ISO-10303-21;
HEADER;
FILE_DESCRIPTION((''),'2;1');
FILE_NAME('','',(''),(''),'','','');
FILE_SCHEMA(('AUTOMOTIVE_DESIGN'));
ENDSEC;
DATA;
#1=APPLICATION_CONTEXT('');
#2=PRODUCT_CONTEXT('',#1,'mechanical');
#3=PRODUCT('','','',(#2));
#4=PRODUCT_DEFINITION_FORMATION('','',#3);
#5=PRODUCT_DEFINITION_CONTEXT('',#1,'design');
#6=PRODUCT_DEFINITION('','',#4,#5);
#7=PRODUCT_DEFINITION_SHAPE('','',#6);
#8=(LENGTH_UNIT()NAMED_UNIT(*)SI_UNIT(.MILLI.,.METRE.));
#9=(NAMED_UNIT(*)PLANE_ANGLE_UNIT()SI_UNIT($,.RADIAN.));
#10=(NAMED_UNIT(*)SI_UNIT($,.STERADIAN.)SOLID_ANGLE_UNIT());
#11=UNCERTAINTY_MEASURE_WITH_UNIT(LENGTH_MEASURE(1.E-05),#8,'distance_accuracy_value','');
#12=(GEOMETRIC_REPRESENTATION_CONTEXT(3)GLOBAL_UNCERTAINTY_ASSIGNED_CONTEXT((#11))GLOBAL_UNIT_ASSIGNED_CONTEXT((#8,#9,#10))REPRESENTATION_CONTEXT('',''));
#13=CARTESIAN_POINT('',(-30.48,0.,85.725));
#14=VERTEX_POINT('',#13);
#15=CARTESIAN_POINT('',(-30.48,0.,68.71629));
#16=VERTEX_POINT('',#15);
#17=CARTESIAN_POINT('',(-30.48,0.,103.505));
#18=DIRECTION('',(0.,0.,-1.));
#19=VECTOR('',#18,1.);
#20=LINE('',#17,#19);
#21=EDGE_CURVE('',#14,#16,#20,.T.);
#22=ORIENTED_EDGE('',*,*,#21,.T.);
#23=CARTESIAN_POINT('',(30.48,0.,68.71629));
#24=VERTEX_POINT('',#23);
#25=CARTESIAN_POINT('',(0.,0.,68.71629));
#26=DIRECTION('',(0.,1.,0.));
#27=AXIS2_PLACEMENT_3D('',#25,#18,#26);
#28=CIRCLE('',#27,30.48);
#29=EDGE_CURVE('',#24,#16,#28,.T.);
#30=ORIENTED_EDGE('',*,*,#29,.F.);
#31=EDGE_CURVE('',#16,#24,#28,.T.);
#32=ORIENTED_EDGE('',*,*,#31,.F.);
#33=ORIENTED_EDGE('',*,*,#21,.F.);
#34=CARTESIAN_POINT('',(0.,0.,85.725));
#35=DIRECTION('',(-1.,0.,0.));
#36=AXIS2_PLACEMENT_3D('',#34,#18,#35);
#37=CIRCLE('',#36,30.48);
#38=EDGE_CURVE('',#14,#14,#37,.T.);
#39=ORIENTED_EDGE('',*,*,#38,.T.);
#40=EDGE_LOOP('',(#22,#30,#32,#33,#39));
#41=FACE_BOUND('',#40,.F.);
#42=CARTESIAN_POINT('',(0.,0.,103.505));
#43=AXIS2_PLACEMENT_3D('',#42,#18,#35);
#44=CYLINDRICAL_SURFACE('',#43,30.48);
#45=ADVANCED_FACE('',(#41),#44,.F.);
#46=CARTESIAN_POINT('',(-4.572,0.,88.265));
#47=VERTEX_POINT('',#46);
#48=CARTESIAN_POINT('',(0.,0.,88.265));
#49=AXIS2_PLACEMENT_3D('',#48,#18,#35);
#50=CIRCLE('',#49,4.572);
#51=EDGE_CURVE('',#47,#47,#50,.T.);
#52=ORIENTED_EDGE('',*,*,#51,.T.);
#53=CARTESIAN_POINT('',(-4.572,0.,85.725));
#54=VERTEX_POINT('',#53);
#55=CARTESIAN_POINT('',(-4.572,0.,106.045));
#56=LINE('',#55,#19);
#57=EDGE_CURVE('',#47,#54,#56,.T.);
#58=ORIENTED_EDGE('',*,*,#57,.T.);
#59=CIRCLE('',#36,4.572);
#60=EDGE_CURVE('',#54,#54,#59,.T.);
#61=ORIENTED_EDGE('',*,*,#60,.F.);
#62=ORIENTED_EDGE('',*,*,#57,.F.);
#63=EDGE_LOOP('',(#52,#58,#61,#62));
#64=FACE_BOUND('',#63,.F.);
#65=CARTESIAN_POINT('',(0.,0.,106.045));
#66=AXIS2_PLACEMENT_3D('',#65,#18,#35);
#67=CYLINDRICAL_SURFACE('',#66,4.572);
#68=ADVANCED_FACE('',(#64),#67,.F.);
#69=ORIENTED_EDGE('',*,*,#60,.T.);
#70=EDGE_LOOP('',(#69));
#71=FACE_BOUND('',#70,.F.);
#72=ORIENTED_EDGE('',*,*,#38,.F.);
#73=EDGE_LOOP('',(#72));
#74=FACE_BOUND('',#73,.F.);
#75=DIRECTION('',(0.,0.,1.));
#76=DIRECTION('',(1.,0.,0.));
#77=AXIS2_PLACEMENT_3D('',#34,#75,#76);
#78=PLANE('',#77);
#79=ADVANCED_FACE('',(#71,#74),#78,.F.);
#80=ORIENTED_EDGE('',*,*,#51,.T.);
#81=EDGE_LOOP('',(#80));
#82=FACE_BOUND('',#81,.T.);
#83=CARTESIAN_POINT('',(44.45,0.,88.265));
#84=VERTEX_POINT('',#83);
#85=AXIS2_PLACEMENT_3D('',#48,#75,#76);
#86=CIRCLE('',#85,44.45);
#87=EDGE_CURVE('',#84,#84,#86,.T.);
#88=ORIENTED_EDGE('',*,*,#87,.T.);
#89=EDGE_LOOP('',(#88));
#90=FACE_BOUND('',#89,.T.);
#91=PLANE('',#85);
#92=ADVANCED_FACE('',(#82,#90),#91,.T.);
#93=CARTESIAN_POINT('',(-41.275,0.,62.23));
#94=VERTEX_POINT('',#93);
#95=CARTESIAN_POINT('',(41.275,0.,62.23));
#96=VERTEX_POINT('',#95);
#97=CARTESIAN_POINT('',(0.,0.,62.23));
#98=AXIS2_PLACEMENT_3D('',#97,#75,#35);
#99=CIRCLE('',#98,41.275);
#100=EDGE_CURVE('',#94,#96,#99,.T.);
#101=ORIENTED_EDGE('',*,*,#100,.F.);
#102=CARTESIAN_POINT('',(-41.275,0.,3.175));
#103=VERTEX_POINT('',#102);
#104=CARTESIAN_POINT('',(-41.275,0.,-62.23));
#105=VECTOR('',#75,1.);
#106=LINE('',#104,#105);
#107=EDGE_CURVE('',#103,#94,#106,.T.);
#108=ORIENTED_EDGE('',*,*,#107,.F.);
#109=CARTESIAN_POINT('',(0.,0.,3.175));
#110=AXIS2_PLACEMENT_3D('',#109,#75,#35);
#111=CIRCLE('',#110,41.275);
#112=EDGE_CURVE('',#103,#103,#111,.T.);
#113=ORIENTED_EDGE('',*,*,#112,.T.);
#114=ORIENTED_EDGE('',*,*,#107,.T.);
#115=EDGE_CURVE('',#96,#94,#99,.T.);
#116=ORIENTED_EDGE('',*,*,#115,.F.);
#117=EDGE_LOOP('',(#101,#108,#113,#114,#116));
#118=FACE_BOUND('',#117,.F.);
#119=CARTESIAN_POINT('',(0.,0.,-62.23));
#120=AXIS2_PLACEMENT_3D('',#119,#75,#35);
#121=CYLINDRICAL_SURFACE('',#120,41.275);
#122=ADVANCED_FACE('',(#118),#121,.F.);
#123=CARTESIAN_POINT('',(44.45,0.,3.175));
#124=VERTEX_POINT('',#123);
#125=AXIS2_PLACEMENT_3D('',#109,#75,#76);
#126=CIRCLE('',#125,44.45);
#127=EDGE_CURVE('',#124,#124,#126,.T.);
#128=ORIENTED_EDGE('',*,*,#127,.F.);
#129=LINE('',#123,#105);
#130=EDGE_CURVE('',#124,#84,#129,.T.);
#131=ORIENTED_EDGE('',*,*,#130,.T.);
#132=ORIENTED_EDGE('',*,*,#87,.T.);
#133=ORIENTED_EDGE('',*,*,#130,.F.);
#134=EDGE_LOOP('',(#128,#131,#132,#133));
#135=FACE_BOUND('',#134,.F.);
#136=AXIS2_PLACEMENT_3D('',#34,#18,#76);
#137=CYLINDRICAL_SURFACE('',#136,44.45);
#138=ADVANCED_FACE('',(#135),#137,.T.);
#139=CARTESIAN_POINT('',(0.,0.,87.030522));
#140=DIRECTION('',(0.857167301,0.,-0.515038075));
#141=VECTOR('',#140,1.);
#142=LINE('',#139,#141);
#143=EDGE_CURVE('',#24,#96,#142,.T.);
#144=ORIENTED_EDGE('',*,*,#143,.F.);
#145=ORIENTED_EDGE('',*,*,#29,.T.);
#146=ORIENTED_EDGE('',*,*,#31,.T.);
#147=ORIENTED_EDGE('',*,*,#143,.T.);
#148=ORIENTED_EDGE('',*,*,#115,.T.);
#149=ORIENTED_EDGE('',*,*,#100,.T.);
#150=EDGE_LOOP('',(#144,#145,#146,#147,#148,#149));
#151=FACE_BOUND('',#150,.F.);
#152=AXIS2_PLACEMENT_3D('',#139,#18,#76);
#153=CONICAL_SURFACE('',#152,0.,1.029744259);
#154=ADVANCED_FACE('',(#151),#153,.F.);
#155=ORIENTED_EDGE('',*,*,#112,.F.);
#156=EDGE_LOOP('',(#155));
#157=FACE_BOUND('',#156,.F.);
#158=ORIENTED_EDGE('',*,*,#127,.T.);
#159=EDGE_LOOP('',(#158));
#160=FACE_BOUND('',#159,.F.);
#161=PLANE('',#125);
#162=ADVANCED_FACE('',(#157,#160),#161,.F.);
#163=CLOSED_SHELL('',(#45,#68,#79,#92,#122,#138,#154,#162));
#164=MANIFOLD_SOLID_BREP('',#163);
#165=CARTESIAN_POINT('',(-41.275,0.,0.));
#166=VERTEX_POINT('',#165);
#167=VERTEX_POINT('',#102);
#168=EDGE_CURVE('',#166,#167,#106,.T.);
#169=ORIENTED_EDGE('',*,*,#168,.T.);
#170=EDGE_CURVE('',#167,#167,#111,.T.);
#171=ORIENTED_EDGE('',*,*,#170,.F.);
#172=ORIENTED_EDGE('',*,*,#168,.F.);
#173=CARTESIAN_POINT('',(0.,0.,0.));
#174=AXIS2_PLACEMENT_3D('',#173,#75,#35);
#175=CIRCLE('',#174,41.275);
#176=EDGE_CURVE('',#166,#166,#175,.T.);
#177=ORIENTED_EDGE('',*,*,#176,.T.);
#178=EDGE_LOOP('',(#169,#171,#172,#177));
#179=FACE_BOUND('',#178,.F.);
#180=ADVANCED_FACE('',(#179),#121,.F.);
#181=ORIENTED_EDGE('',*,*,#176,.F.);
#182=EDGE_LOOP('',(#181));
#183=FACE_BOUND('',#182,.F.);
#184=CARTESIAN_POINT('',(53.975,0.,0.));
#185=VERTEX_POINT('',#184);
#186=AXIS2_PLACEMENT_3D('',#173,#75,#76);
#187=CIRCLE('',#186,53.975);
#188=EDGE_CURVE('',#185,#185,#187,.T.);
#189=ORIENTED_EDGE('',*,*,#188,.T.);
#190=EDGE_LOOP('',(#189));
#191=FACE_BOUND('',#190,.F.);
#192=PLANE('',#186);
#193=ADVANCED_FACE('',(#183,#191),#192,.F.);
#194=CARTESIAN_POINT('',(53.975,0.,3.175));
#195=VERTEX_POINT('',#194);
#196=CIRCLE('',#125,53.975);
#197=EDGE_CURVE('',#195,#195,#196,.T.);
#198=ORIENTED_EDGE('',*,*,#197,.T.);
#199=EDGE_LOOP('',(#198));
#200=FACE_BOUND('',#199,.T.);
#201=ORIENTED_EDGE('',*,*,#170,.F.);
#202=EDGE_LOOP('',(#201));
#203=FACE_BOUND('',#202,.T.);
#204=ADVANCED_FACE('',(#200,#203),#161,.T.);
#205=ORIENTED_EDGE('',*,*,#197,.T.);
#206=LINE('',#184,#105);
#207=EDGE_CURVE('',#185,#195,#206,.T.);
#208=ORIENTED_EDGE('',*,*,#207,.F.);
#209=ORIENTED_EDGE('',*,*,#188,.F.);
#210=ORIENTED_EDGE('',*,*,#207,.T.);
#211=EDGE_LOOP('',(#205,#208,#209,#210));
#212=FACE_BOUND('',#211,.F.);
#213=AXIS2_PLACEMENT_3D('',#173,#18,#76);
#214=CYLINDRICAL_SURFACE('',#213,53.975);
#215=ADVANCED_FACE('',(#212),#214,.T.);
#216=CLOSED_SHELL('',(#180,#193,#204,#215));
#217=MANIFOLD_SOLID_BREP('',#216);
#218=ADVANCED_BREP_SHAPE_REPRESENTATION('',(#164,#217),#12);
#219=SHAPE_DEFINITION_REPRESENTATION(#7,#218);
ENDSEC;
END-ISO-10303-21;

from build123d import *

# Parameters (mm, degrees)
F0_R       = 53.975
F1_DEPTH   = 3.175
F2_R       = 44.45
F3_DEPTH   = 63.5
F4_R       = 44.45
F5_DEPTH   = 19.05
F7_D       = 82.55
F7_DEPTH   = 62.23
F7_TIP     = 24.8005220504
F7_2_D     = 82.55
F7_2_DEPTH = 62.23
F7_2_TIP   = 24.8005220504
F9_D       = 60.96
F9_DEPTH   = 17.78
F9_TIP     = 18.314231668
F10_R      = 44.45
F11_DEPTH  = 2.54
F13_D      = 9.144
F13_DEPTH  = 17.78
F13_TIP    = 2.7471347502


with BuildPart() as f1:
    # F0 (on Top) → F1 (new body)
    with BuildSketch(Plane.XY):
        Circle(F0_R)
    extrude(amount=F1_DEPTH)

    # F7
    with Locations(Plane(origin=(0, 0, 0), x_dir=(1, 0, 0), z_dir=(0, 0, -1))):
        with Locations((0, 0)):
            Hole(F7_D / 2, depth=F7_DEPTH)
            with Locations((0, 0, -(F7_DEPTH + F7_TIP / 2))):  # 118° drill point
                Cone(0, F7_D / 2, F7_TIP, mode=Mode.SUBTRACT)


with BuildPart() as f3:
    # F2 (on face) → F3 (new body)
    with BuildSketch(Plane.XY.offset(3.175)):
        Circle(F2_R)
    extrude(amount=F3_DEPTH)

    # F4 (on face) → F5 (join)
    with BuildSketch(Plane.XY.offset(66.675)):
        Circle(F4_R)
    extrude(amount=F5_DEPTH)

    # F7#2
    with Locations(Plane(origin=(0, 0, 0), x_dir=(1, 0, 0), z_dir=(0, 0, -1))):
        with Locations((0, 0)):
            Hole(F7_2_D / 2, depth=F7_2_DEPTH)
            with Locations((0, 0, -(F7_2_DEPTH + F7_2_TIP / 2))):  # 118° drill point
                Cone(0, F7_2_D / 2, F7_2_TIP, mode=Mode.SUBTRACT)

    # F9
    with Locations(Plane.XY.offset(85.725)):
        with Locations((0, 0)):
            Hole(F9_D / 2, depth=F9_DEPTH)
            with Locations((0, 0, -(F9_DEPTH + F9_TIP / 2))):  # 118° drill point
                Cone(0, F9_D / 2, F9_TIP, mode=Mode.SUBTRACT)

    # F10 (on face) → F11 (join)
    with BuildSketch(Plane.XY.offset(85.725)):
        Circle(F10_R)
    extrude(amount=F11_DEPTH)

    # F13
    with Locations(Plane.XY.offset(88.265)):
        with Locations((0, 0)):
            Hole(F13_D / 2, depth=F13_DEPTH)
            with Locations((0, 0, -(F13_DEPTH + F13_TIP / 2))):  # 118° drill point
                Cone(0, F13_D / 2, F13_TIP, mode=Mode.SUBTRACT)


solid = Compound([f1.part, f3.part])
